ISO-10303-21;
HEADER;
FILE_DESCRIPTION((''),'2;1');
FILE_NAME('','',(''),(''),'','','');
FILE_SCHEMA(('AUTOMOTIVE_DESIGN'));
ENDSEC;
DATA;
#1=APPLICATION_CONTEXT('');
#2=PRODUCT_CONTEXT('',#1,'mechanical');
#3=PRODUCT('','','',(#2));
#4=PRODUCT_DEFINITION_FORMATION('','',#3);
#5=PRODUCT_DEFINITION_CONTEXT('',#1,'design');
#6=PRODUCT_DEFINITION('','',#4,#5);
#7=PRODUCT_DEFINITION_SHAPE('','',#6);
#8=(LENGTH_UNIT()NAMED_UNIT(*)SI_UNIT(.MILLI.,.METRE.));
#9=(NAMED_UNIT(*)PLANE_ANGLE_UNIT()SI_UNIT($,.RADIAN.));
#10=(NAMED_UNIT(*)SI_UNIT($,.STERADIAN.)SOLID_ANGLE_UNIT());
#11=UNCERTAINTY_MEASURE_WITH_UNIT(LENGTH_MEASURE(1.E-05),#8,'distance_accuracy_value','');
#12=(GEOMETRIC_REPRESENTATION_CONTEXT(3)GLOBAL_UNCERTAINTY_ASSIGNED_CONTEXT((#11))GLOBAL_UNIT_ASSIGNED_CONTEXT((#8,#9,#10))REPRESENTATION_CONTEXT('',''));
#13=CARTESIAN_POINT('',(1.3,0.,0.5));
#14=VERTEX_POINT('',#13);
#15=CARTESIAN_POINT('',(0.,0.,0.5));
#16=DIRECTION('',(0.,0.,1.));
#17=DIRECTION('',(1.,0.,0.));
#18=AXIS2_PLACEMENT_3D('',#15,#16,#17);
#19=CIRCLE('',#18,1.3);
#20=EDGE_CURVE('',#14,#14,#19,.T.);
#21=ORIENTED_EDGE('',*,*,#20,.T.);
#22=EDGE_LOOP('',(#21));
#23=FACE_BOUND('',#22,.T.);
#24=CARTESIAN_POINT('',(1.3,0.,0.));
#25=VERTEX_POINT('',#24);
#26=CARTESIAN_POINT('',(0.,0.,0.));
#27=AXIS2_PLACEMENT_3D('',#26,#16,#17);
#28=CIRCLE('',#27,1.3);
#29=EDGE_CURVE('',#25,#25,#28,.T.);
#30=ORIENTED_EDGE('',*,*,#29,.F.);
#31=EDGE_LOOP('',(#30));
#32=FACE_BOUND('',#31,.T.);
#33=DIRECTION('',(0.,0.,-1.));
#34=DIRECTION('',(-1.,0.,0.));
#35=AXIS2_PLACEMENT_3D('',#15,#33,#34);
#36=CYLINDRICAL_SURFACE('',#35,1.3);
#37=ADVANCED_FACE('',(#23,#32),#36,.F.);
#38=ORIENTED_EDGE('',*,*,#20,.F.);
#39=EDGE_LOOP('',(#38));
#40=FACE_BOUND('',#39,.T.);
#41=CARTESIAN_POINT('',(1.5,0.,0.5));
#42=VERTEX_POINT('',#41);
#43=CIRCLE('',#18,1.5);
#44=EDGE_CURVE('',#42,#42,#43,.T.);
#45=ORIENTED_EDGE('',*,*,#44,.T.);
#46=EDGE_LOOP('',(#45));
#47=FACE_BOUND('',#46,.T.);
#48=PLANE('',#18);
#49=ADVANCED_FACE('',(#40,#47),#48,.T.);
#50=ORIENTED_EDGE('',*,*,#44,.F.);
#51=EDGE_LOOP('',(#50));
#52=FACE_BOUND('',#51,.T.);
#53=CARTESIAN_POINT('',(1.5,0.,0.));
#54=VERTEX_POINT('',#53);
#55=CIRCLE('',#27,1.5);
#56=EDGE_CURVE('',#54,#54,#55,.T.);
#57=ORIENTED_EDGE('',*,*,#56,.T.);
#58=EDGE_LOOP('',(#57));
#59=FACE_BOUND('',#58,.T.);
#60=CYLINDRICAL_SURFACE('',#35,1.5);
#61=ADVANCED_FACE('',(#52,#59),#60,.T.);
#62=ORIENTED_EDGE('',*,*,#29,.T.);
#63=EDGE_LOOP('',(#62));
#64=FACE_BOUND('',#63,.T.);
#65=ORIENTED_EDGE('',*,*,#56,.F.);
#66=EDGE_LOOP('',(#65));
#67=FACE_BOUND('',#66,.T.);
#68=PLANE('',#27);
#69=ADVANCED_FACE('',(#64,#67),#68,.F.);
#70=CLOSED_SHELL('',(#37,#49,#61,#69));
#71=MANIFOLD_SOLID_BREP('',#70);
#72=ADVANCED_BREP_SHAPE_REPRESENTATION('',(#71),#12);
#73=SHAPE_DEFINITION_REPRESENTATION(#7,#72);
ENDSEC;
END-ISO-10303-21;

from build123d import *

# Parameters (mm, degrees)
CROQUIS1_R              = 1.5
CROQUIS1_R_2            = 1.3
SALIENTE_EXTRUIR1_DEPTH = 0.5


with BuildPart() as part:
    # Croquis1 → Saliente-Extruir1 (new body)
    with BuildSketch(Plane.XY):
        Circle(CROQUIS1_R)
        Circle(CROQUIS1_R_2, mode=Mode.SUBTRACT)
    extrude(amount=SALIENTE_EXTRUIR1_DEPTH)


solid = part.part
